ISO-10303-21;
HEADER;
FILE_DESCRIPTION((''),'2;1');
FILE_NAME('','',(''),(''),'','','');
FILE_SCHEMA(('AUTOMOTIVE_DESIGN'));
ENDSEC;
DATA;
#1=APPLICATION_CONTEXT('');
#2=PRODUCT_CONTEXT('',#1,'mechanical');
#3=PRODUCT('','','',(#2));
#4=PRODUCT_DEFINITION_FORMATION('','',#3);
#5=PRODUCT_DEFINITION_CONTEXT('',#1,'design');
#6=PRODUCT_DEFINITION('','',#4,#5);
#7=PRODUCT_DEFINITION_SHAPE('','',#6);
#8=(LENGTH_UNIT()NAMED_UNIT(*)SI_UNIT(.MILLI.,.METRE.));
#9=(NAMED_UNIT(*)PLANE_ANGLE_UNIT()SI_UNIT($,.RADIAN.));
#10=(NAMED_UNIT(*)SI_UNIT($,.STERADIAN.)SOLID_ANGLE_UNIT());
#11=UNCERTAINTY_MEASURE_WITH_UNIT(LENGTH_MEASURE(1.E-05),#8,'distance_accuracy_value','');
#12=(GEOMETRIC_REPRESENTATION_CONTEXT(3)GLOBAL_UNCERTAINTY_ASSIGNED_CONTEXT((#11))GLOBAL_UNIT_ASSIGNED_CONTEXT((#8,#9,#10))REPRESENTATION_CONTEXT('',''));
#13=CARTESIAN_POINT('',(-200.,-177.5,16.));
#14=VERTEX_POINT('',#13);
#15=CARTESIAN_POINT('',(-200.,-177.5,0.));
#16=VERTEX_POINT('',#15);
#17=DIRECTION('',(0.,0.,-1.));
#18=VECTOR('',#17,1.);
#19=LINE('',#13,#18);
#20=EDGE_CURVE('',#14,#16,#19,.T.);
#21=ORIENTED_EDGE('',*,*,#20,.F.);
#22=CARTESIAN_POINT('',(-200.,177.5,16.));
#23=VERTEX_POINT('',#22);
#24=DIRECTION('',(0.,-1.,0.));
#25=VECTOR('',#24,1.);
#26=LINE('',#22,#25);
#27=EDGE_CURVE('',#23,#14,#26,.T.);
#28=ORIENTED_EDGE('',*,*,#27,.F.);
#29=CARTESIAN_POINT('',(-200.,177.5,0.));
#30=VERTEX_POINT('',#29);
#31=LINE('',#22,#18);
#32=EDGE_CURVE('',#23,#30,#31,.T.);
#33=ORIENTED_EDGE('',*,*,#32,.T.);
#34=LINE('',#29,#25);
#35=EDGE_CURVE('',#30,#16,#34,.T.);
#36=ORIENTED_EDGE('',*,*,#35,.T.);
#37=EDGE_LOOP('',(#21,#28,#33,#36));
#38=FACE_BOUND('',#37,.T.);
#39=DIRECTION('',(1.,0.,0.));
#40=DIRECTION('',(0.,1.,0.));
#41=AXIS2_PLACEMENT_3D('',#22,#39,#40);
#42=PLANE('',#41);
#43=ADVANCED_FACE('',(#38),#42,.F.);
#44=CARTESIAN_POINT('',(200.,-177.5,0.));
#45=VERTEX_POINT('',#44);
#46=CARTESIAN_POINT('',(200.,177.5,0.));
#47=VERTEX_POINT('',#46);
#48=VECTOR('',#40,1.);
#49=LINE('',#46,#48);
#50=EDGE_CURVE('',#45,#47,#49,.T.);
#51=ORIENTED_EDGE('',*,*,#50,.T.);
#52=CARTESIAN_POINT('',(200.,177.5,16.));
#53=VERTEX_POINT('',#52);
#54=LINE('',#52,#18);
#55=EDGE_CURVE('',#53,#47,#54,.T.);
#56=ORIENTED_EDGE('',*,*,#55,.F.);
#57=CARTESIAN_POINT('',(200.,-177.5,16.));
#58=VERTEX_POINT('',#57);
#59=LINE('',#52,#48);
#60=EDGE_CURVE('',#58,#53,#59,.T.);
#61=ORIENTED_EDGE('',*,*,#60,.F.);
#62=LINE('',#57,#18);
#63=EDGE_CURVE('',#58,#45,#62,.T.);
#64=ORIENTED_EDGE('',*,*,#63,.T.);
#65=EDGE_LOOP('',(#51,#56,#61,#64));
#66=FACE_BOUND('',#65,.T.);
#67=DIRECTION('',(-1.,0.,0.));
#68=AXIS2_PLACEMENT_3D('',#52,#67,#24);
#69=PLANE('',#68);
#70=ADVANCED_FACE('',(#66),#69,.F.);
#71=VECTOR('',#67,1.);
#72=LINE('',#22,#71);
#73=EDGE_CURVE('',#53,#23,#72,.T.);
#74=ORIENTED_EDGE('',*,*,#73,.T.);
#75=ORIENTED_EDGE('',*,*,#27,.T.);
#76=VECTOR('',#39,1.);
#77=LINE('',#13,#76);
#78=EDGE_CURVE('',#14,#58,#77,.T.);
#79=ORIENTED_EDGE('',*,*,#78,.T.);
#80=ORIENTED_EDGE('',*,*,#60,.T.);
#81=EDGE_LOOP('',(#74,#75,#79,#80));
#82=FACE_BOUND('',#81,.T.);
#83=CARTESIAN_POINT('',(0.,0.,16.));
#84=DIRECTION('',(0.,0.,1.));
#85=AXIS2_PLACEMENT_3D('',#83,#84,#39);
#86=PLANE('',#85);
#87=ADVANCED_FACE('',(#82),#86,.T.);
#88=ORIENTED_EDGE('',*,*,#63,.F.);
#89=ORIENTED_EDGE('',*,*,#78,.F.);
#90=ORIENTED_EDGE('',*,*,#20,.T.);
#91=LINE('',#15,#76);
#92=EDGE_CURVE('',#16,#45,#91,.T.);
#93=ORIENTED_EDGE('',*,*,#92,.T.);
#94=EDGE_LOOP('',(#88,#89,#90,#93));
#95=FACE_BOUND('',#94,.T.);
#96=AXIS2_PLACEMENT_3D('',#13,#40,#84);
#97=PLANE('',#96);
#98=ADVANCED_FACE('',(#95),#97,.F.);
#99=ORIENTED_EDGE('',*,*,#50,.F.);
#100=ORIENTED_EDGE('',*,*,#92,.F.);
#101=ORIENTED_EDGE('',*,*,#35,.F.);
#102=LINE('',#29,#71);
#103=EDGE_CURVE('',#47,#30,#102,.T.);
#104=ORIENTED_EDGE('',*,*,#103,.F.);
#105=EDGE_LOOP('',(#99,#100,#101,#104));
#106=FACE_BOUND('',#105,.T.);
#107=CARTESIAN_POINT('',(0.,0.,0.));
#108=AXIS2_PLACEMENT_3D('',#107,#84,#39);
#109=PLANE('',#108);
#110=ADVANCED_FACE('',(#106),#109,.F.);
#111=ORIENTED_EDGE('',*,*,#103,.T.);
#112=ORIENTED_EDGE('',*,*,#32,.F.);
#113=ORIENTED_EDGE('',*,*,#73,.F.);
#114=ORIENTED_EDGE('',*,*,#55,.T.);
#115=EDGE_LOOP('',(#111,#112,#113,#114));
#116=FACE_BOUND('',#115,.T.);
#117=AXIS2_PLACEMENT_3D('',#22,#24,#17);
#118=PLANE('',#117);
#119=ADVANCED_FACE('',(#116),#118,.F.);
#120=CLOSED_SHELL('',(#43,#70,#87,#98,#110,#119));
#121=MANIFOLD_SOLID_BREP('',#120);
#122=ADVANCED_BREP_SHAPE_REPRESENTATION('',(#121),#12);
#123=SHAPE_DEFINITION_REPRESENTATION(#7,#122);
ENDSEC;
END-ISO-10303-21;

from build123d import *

# Parameters (mm, degrees)
SKETCH_1_W      = 400
SKETCH_1_H      = 355
EXTRUDE_1_DEPTH = 16


with BuildPart() as part:
    # 草图1 → 凸台-拉伸1 (new body)
    with BuildSketch(Plane.XY):
        Rectangle(SKETCH_1_W, SKETCH_1_H)
    extrude(amount=EXTRUDE_1_DEPTH)


solid = part.part
